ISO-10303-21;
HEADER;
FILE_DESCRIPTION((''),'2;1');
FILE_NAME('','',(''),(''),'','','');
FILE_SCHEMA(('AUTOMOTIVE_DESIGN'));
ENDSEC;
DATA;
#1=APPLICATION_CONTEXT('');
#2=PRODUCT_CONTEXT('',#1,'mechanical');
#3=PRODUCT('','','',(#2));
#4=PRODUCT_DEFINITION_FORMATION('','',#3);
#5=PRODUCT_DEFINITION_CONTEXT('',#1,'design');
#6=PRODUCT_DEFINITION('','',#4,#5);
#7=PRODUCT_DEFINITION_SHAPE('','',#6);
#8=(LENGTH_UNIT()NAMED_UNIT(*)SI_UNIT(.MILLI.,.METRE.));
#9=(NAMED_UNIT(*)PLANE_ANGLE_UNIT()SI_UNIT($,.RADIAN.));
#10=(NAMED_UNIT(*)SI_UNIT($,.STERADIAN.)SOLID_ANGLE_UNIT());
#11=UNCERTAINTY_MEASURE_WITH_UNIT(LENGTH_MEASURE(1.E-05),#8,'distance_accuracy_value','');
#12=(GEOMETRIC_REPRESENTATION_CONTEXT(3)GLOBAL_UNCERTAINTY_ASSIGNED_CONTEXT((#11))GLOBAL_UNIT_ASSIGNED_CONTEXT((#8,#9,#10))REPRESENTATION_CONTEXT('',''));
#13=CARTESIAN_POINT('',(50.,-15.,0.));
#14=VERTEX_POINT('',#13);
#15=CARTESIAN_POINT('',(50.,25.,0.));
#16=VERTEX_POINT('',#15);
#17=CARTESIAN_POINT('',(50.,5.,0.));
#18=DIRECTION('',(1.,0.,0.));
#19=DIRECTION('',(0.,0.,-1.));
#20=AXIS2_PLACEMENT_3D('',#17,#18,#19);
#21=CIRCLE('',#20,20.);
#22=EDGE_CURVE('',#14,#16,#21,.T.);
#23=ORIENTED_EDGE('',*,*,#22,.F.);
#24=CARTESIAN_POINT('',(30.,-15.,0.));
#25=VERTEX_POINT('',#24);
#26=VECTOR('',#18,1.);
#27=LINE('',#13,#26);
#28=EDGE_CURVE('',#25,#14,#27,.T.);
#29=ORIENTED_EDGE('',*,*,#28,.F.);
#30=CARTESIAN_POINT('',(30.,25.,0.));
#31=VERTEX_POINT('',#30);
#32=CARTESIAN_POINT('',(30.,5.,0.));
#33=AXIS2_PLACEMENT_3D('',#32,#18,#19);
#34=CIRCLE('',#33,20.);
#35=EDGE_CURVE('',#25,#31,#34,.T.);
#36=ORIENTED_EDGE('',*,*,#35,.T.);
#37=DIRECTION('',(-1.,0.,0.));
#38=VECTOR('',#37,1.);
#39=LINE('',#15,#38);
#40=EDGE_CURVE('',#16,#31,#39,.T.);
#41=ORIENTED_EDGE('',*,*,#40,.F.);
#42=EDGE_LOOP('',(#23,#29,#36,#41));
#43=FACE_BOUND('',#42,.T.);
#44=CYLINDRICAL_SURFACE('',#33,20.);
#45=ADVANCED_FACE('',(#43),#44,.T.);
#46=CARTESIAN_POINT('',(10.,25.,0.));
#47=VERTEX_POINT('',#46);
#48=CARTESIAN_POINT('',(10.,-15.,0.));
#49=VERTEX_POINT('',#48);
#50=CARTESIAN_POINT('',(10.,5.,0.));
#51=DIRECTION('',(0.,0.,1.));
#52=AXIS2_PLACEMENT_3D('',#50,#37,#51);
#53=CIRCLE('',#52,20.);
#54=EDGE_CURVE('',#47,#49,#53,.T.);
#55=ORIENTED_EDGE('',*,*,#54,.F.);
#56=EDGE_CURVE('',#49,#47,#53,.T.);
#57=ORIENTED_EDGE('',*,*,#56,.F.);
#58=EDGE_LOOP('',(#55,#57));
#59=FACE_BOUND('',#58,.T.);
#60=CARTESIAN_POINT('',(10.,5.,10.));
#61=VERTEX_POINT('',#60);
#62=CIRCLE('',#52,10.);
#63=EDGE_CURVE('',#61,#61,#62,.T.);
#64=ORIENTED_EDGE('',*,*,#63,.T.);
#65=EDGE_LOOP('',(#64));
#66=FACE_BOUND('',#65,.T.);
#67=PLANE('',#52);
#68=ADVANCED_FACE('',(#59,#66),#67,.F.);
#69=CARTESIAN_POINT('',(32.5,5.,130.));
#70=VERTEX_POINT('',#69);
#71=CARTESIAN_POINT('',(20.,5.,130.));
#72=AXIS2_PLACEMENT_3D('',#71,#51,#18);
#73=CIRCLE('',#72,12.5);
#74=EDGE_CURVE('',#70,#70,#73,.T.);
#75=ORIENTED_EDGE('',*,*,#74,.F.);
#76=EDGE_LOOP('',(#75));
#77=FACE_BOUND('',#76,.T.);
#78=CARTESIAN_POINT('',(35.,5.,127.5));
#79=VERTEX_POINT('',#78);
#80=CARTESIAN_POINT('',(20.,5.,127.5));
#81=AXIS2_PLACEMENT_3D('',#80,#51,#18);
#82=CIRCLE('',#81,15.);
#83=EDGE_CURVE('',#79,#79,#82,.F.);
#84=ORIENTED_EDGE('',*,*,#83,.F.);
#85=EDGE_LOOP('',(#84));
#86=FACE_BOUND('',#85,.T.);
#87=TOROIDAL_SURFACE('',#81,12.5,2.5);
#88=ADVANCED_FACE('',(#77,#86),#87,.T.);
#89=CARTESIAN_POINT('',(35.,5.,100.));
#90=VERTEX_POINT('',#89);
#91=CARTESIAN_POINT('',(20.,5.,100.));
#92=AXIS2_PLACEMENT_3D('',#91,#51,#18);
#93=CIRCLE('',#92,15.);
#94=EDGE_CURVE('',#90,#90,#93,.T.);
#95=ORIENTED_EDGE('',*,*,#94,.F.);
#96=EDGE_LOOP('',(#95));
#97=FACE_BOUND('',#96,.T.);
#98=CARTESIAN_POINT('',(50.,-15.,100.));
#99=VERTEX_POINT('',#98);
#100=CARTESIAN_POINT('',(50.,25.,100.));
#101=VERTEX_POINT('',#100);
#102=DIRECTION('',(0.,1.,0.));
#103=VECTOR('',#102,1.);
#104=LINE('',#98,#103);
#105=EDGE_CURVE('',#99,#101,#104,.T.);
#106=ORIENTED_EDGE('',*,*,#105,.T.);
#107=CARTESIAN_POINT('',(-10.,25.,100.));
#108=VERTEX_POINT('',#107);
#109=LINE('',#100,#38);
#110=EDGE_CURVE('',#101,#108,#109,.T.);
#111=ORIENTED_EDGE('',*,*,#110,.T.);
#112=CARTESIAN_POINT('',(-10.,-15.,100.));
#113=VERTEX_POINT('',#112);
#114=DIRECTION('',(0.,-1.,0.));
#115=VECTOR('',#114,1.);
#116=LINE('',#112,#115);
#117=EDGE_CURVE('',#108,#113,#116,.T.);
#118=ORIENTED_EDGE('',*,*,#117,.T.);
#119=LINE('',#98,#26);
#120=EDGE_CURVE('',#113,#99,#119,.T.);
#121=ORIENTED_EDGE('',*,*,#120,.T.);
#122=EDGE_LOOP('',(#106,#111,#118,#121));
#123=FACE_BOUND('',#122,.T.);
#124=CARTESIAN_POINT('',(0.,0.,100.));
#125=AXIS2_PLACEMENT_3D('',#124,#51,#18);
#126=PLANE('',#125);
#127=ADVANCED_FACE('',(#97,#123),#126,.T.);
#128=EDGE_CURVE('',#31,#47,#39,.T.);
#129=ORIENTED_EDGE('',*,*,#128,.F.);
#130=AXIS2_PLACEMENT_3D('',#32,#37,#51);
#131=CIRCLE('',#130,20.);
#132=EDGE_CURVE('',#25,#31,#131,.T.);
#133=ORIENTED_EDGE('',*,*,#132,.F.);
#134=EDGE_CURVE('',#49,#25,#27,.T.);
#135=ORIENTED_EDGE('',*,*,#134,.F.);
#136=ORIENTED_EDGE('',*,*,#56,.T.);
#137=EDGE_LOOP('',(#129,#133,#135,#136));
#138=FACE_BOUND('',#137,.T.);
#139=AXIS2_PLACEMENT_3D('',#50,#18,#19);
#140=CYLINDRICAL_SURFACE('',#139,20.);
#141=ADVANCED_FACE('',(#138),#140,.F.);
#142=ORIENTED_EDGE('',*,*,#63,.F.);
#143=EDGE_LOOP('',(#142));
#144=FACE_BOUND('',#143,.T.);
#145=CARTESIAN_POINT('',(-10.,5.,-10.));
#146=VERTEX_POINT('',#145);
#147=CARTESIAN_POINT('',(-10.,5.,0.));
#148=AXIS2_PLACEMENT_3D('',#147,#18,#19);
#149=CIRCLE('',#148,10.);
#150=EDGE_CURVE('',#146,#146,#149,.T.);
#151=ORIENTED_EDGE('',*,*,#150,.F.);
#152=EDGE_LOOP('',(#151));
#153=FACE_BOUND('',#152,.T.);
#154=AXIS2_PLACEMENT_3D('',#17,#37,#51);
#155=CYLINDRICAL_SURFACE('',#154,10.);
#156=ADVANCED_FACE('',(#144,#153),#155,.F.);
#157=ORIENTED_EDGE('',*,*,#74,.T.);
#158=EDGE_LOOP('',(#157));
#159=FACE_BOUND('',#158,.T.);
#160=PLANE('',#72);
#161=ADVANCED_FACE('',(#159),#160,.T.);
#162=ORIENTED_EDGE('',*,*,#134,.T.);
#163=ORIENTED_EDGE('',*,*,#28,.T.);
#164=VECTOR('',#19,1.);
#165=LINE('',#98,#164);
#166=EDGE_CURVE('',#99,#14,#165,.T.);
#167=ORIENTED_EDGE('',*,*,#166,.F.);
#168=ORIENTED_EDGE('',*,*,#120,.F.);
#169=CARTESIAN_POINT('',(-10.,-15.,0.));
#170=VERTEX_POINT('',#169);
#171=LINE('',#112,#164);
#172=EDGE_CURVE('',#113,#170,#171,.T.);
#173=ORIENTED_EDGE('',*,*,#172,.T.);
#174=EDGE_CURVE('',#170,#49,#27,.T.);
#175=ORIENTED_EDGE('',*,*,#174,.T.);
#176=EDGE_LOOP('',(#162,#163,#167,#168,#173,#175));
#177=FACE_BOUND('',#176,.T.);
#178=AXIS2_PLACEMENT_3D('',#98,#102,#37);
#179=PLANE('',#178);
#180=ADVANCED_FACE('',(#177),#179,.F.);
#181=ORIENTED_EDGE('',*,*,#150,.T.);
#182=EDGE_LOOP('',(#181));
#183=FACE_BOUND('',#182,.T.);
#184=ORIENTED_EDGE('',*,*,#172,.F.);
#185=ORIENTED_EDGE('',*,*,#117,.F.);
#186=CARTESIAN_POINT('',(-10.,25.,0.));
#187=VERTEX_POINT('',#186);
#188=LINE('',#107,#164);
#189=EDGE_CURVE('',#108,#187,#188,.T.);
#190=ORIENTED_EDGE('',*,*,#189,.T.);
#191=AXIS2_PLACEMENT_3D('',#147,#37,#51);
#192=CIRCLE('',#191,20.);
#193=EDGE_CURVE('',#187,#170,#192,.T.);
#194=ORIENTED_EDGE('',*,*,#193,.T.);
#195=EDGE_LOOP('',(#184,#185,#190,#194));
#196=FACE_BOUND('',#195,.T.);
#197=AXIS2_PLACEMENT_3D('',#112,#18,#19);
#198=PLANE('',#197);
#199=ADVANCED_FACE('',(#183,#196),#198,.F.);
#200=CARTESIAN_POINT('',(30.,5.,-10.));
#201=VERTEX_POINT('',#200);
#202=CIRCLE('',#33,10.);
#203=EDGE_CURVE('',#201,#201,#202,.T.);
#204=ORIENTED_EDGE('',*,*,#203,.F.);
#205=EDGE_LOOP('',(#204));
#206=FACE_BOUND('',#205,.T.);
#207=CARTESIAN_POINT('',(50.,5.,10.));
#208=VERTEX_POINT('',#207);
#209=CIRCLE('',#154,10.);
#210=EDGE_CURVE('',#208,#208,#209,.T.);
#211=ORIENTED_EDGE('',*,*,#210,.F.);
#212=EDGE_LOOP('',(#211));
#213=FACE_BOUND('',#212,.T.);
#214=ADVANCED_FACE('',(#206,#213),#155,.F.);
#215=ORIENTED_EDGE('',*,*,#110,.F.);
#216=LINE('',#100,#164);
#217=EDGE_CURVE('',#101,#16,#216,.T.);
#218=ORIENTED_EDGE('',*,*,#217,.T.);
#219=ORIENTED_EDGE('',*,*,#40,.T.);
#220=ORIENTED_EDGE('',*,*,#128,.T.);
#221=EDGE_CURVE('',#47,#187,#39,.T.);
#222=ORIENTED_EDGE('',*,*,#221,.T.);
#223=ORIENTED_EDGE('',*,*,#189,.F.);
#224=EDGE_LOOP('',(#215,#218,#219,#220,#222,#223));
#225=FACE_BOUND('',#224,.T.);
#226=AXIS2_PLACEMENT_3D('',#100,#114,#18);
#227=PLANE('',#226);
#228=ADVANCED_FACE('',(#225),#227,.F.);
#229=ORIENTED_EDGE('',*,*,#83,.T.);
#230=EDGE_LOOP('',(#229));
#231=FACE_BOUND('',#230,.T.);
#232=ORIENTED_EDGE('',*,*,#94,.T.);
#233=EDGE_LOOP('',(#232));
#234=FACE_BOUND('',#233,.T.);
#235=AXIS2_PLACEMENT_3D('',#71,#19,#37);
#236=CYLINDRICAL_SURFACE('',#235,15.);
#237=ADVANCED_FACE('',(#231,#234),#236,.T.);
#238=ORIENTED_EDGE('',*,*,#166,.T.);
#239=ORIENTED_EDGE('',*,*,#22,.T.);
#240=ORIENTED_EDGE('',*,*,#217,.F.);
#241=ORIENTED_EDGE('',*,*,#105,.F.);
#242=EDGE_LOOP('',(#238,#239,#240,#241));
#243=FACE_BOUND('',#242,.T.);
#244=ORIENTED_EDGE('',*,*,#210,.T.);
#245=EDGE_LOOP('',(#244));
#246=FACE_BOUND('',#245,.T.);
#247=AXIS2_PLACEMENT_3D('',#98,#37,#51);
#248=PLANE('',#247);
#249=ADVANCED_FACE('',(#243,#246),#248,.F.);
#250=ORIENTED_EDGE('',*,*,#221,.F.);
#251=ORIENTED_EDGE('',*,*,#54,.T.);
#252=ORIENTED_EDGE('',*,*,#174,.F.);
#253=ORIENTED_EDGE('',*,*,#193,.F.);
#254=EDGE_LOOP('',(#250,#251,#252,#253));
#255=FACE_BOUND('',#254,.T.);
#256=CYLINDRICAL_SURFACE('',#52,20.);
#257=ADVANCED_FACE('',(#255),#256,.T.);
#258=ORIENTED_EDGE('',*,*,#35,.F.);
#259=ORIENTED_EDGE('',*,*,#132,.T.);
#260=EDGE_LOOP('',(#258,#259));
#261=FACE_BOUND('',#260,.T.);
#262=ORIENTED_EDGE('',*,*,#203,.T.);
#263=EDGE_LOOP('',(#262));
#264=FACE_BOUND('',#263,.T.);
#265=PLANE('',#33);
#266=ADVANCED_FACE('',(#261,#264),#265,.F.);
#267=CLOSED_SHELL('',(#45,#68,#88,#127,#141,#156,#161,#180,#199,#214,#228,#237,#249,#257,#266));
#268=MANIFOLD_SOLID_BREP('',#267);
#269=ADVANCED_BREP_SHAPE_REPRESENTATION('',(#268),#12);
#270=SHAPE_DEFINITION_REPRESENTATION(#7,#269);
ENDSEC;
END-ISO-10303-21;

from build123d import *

# Parameters (mm, degrees)
SKETCH_1_W               = 60
SKETCH_1_H               = 40
EXTRUDE_1_DEPTH          = 100
SKETCH_6_R               = 20
EXTRUDE_2_DEPTH          = 20
EXTRUDE_START            = -20
SKETCH_7_R               = 20
EXTRUDE_3_DEPTH          = 20
CUT_EXTRUDE_1_DEPTH      = 120.268604419
CUT_EXTRUDE_1_DEPTH_BACK = 120.268604419
SKETCH_8_R               = 10
SKETCH_9_R               = 20
CUT_EXTRUDE_2_DEPTH      = 20
SKETCH_10_R              = 15
EXTRUDE_4_DEPTH          = 30
FILLET_1_R               = 2.5


with BuildPart() as part:
    # 스케치1 → 보스-돌출1 (new body)
    with BuildSketch(Plane.XY):
        with Locations((20, 5)):
            Rectangle(SKETCH_1_W, SKETCH_1_H)
    extrude(amount=EXTRUDE_1_DEPTH)

    # 스케치6 → 보스-돌출2 (add)
    with BuildSketch(Plane(origin=(50, 0, 0), x_dir=(0, 0, -1), z_dir=(1, 0, 0))):
        with Locations((0, 5)):
            Circle(SKETCH_6_R)
    extrude(amount=-EXTRUDE_2_DEPTH)

    # 스케치7 → 보스-돌출3 (add)
    with BuildSketch(Plane.ZY.offset(10).offset(EXTRUDE_START)):
        with Locations((0, 5)):
            Circle(SKETCH_7_R)
    extrude(amount=EXTRUDE_3_DEPTH)

    # 스케치8 → 컷-돌출1 (cut, two sides: drawn at the far end of the back side and taken through both)
    with BuildSketch(Plane.ZY.offset(10).offset(-CUT_EXTRUDE_1_DEPTH_BACK)):
        with Locations((0, 5)):
            Circle(SKETCH_8_R)
    extrude(amount=CUT_EXTRUDE_1_DEPTH + CUT_EXTRUDE_1_DEPTH_BACK, mode=Mode.SUBTRACT)

    # 스케치9 → 컷-돌출2 (cut)
    with BuildSketch(Plane.ZY.offset(-30)):
        with Locations((0, 5)):
            Circle(SKETCH_9_R)
    extrude(amount=CUT_EXTRUDE_2_DEPTH, mode=Mode.SUBTRACT)

    # 스케치10 → 보스-돌출4 (add)
    with BuildSketch(Plane.XY.offset(100)):
        with Locations((20, 5)):
            Circle(SKETCH_10_R)
    extrude(amount=EXTRUDE_4_DEPTH)

    # 필렛1
    fillet_1_edges = [part.edges().sort_by_distance(p)[0] for p in [
        (5, 5, 130),
    ]]
    fillet(fillet_1_edges, radius=FILLET_1_R)


solid = part.part
